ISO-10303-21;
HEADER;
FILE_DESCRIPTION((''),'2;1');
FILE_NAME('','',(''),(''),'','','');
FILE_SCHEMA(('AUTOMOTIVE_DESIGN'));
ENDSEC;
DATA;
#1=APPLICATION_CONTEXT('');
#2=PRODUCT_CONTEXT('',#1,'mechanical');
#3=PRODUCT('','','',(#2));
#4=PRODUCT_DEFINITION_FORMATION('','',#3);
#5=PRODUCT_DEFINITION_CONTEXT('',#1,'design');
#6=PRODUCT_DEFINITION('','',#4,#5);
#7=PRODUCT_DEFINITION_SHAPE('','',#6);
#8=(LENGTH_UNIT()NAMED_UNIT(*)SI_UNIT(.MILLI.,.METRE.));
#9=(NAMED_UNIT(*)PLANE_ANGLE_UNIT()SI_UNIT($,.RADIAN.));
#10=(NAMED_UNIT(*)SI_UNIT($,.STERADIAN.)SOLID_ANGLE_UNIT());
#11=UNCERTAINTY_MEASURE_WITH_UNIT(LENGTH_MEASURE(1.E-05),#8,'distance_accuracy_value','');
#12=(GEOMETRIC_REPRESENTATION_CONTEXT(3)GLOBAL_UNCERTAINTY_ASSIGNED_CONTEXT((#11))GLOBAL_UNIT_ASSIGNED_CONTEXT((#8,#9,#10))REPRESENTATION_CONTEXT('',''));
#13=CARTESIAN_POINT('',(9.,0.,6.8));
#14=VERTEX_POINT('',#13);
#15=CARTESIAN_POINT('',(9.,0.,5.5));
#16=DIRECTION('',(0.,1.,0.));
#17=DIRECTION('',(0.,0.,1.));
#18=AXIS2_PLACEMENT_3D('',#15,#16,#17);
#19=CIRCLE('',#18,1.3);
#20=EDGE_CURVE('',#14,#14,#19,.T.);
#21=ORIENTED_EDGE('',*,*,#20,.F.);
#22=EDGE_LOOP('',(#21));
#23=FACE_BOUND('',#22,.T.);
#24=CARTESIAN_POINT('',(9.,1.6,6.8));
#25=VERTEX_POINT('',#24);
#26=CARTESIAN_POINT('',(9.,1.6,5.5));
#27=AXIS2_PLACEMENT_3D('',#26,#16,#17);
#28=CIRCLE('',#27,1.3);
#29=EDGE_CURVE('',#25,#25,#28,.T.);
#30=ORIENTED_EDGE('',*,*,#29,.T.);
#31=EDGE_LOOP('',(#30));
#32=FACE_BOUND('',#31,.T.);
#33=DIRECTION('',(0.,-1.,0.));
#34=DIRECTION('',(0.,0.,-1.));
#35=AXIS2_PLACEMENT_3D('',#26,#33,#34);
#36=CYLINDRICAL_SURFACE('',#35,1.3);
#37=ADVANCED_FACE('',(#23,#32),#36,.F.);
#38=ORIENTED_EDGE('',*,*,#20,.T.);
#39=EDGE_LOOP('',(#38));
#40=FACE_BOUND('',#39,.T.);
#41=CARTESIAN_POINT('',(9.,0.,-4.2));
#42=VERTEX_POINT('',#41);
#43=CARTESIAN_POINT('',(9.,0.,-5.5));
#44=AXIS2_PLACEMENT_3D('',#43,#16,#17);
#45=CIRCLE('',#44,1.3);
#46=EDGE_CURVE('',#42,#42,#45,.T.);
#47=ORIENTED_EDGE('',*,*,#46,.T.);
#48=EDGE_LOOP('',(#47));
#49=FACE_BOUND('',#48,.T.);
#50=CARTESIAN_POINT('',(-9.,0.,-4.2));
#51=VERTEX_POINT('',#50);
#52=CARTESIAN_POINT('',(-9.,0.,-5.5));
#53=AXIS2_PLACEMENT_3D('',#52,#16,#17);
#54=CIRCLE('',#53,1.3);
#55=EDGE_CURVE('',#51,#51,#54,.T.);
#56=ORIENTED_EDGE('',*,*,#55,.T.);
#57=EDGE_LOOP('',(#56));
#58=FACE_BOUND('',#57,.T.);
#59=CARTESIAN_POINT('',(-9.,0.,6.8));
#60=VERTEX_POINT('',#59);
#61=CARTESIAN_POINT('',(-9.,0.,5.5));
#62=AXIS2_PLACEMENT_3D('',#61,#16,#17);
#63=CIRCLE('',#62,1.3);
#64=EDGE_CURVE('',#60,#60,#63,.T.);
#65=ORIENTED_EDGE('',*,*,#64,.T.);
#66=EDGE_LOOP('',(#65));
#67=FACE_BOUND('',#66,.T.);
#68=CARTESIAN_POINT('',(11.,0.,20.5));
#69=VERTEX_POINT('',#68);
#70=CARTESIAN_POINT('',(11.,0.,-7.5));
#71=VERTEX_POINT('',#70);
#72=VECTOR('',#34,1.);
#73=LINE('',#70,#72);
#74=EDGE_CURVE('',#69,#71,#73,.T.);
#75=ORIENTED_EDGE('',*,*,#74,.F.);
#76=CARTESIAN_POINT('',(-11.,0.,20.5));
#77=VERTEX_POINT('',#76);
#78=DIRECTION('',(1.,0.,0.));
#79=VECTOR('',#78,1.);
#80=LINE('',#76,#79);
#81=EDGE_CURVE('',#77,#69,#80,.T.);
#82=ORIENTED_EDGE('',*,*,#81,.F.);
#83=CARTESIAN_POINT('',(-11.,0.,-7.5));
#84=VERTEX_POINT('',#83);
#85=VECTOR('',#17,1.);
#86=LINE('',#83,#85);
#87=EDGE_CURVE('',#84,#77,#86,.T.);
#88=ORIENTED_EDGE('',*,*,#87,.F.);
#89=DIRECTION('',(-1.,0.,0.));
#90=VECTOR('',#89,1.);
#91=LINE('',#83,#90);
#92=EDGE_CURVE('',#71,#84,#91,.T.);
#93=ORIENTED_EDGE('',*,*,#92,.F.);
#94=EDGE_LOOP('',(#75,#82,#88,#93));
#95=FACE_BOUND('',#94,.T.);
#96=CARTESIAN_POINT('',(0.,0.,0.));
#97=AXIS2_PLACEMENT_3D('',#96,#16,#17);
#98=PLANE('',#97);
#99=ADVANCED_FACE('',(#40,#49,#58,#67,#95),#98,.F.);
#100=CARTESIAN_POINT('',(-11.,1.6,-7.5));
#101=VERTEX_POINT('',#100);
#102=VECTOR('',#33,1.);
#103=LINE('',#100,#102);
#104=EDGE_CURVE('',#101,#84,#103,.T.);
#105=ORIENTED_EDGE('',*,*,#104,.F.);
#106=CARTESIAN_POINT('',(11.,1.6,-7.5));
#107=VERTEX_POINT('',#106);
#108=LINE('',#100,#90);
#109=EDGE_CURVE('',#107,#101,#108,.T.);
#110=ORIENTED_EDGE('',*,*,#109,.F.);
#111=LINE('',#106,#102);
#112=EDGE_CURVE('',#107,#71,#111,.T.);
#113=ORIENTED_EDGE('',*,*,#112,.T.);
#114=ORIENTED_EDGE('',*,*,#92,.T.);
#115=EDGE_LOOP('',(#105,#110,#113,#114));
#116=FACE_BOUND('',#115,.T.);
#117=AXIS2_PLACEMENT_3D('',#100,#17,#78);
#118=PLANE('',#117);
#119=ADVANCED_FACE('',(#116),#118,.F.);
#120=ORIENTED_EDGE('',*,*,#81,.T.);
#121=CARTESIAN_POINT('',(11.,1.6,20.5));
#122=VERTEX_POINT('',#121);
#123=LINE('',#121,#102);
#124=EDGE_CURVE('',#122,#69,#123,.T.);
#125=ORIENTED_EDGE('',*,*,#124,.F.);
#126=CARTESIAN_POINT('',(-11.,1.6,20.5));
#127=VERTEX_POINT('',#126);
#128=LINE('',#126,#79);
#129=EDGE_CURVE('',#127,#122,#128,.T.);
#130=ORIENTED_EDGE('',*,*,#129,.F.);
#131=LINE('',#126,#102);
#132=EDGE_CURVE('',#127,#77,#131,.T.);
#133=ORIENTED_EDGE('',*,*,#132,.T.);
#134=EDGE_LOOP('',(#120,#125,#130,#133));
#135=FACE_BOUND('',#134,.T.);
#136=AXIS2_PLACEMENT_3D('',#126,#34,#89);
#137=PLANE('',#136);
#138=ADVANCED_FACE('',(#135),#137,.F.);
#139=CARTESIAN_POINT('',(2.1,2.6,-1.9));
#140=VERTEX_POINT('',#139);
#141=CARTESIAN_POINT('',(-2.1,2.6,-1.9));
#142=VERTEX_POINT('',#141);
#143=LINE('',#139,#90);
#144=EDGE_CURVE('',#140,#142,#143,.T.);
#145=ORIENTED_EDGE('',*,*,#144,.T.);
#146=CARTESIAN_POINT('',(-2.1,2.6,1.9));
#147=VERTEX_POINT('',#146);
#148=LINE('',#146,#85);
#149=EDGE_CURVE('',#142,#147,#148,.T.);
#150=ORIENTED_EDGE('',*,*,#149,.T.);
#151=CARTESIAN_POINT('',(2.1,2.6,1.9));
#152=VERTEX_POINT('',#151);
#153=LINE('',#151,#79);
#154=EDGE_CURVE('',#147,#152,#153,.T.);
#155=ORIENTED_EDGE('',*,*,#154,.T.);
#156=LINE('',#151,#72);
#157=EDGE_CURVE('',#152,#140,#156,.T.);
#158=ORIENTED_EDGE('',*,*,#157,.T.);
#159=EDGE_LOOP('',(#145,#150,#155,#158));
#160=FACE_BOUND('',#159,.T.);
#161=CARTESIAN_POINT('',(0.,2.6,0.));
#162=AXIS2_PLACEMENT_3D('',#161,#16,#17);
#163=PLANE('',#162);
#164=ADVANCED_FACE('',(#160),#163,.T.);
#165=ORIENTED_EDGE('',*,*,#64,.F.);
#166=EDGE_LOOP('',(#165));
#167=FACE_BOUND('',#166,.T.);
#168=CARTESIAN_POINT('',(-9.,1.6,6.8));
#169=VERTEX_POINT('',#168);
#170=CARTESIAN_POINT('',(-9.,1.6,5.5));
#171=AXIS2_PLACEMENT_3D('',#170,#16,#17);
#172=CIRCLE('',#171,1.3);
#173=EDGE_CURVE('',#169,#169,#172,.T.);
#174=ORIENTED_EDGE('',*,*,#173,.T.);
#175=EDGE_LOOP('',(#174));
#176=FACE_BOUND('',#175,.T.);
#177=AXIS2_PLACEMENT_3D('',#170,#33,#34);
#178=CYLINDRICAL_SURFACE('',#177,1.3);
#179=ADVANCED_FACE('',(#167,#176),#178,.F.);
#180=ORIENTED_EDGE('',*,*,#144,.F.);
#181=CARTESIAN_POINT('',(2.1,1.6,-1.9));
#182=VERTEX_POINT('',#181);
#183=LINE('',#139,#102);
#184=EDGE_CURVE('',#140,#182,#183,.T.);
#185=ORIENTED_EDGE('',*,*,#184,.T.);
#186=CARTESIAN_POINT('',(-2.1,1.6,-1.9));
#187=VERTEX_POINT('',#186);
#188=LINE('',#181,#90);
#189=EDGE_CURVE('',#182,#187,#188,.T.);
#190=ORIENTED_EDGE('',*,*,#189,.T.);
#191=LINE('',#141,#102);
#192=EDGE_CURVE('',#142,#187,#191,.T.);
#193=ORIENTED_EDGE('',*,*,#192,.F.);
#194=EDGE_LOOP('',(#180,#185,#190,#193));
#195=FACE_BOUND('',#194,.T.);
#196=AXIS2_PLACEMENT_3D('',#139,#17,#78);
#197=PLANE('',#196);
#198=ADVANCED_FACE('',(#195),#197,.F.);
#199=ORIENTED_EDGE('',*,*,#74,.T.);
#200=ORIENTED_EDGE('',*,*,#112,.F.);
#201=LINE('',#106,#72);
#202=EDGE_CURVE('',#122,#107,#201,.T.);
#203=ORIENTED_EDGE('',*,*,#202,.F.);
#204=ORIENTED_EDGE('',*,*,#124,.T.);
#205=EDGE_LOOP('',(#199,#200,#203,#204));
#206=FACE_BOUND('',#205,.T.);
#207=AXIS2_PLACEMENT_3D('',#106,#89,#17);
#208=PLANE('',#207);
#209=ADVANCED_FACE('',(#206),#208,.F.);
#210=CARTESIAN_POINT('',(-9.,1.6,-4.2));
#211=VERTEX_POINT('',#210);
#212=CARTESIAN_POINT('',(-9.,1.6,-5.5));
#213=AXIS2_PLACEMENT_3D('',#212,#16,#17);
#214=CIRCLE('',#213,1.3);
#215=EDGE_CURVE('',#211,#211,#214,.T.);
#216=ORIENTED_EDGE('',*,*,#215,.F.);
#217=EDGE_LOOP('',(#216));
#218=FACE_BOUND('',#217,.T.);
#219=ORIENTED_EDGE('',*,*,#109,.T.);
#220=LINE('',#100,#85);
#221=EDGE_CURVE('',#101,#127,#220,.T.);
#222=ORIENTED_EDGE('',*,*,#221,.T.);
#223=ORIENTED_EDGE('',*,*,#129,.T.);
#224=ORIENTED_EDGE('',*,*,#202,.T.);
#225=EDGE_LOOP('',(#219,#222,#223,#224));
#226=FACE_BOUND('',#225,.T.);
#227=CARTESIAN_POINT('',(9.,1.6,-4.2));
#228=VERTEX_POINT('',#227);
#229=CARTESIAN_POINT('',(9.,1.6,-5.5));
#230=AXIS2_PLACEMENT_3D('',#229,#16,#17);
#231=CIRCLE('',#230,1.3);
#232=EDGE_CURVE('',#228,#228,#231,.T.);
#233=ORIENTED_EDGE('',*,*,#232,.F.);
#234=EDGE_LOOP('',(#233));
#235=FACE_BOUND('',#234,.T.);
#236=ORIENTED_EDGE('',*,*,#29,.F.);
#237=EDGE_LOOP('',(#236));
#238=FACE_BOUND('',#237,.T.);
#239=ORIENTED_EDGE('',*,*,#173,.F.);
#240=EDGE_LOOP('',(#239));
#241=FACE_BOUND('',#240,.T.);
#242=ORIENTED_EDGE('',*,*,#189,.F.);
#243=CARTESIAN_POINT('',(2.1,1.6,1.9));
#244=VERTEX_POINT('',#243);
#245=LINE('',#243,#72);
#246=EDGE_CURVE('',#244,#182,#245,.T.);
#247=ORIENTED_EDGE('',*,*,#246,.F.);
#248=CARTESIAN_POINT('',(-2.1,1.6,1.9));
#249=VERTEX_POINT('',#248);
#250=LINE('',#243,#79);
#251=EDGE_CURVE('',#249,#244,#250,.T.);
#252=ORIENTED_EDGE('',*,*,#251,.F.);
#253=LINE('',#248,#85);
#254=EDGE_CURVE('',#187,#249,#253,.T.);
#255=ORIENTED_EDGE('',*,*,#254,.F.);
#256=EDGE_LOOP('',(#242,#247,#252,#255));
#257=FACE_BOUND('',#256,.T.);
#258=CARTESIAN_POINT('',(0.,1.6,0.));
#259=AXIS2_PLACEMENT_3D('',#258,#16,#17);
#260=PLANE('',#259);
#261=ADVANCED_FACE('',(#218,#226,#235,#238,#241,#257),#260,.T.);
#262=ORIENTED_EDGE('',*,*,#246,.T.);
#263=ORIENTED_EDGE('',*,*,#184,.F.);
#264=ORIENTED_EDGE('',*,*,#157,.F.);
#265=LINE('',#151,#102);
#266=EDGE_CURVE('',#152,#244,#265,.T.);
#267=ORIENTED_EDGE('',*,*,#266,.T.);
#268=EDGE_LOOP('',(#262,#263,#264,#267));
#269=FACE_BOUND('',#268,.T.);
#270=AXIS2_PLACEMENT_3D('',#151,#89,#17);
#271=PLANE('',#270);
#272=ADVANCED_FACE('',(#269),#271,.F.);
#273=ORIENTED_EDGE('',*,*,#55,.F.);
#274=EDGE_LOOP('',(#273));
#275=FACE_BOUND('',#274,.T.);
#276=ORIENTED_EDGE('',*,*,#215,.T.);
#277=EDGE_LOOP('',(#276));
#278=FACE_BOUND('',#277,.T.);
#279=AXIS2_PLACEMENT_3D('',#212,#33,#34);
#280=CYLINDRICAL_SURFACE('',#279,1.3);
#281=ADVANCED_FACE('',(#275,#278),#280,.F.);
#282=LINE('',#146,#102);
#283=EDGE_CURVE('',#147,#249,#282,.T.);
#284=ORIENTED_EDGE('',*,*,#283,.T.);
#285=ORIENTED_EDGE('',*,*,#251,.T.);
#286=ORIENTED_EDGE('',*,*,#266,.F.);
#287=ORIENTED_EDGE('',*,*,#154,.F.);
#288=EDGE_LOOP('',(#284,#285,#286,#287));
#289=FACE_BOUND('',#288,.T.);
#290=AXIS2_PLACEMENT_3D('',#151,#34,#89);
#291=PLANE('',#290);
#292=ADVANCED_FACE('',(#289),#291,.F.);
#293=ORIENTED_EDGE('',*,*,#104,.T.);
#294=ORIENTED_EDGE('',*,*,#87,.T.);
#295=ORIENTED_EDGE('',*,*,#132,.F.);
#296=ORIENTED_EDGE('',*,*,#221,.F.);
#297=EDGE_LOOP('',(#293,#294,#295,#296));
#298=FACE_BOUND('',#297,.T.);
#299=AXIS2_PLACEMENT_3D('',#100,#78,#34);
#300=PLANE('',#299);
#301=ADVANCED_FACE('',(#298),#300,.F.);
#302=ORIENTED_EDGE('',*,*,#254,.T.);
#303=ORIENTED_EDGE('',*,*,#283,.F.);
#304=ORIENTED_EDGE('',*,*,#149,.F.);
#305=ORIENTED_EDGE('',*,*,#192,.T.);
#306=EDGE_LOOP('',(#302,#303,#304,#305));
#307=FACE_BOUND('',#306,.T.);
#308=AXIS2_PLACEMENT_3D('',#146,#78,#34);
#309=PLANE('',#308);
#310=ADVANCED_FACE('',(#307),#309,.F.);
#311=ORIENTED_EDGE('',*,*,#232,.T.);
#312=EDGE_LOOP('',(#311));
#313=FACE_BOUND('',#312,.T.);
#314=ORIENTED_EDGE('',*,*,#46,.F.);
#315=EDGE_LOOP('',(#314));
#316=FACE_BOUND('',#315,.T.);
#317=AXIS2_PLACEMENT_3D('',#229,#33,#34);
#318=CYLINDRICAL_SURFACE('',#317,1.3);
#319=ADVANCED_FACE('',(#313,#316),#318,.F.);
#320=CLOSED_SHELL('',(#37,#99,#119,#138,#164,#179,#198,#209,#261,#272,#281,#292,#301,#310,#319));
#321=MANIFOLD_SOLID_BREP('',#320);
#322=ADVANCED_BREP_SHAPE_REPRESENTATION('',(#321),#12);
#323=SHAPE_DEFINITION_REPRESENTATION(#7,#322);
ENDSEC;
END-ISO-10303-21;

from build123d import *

# Parameters (mm, degrees)
SKETCH1_W           = 22
SKETCH1_H           = 28
SKETCH1_R           = 1.3
BOSS_EXTRUDE1_DEPTH = 1.6
SKETCH2_W           = 4.2
SKETCH2_H           = 3.8
BOSS_EXTRUDE2_DEPTH = 1


with BuildPart() as part:
    # Sketch1 → Boss-Extrude1 (new body)
    with BuildSketch(Plane(origin=(0, 0, 0), x_dir=(1, 0, 0), z_dir=(0, 1, 0))):
        with Locations((0, -6.5)):
            Rectangle(SKETCH1_W, SKETCH1_H)
        with Locations((9, 5.5)):
            Circle(SKETCH1_R, mode=Mode.SUBTRACT)
        with Locations((-9, 5.5)):
            Circle(SKETCH1_R, mode=Mode.SUBTRACT)
        with Locations((-9, -5.5)):
            Circle(SKETCH1_R, mode=Mode.SUBTRACT)
        with Locations((9, -5.5)):
            Circle(SKETCH1_R, mode=Mode.SUBTRACT)
    extrude(amount=BOSS_EXTRUDE1_DEPTH)

    # Sketch2 → Boss-Extrude2 (add)
    with BuildSketch(Plane(origin=(0, 1.6, 0), x_dir=(1, 0, 0), z_dir=(0, 1, 0))):
        Rectangle(SKETCH2_W, SKETCH2_H)
    extrude(amount=BOSS_EXTRUDE2_DEPTH)


solid = part.part
